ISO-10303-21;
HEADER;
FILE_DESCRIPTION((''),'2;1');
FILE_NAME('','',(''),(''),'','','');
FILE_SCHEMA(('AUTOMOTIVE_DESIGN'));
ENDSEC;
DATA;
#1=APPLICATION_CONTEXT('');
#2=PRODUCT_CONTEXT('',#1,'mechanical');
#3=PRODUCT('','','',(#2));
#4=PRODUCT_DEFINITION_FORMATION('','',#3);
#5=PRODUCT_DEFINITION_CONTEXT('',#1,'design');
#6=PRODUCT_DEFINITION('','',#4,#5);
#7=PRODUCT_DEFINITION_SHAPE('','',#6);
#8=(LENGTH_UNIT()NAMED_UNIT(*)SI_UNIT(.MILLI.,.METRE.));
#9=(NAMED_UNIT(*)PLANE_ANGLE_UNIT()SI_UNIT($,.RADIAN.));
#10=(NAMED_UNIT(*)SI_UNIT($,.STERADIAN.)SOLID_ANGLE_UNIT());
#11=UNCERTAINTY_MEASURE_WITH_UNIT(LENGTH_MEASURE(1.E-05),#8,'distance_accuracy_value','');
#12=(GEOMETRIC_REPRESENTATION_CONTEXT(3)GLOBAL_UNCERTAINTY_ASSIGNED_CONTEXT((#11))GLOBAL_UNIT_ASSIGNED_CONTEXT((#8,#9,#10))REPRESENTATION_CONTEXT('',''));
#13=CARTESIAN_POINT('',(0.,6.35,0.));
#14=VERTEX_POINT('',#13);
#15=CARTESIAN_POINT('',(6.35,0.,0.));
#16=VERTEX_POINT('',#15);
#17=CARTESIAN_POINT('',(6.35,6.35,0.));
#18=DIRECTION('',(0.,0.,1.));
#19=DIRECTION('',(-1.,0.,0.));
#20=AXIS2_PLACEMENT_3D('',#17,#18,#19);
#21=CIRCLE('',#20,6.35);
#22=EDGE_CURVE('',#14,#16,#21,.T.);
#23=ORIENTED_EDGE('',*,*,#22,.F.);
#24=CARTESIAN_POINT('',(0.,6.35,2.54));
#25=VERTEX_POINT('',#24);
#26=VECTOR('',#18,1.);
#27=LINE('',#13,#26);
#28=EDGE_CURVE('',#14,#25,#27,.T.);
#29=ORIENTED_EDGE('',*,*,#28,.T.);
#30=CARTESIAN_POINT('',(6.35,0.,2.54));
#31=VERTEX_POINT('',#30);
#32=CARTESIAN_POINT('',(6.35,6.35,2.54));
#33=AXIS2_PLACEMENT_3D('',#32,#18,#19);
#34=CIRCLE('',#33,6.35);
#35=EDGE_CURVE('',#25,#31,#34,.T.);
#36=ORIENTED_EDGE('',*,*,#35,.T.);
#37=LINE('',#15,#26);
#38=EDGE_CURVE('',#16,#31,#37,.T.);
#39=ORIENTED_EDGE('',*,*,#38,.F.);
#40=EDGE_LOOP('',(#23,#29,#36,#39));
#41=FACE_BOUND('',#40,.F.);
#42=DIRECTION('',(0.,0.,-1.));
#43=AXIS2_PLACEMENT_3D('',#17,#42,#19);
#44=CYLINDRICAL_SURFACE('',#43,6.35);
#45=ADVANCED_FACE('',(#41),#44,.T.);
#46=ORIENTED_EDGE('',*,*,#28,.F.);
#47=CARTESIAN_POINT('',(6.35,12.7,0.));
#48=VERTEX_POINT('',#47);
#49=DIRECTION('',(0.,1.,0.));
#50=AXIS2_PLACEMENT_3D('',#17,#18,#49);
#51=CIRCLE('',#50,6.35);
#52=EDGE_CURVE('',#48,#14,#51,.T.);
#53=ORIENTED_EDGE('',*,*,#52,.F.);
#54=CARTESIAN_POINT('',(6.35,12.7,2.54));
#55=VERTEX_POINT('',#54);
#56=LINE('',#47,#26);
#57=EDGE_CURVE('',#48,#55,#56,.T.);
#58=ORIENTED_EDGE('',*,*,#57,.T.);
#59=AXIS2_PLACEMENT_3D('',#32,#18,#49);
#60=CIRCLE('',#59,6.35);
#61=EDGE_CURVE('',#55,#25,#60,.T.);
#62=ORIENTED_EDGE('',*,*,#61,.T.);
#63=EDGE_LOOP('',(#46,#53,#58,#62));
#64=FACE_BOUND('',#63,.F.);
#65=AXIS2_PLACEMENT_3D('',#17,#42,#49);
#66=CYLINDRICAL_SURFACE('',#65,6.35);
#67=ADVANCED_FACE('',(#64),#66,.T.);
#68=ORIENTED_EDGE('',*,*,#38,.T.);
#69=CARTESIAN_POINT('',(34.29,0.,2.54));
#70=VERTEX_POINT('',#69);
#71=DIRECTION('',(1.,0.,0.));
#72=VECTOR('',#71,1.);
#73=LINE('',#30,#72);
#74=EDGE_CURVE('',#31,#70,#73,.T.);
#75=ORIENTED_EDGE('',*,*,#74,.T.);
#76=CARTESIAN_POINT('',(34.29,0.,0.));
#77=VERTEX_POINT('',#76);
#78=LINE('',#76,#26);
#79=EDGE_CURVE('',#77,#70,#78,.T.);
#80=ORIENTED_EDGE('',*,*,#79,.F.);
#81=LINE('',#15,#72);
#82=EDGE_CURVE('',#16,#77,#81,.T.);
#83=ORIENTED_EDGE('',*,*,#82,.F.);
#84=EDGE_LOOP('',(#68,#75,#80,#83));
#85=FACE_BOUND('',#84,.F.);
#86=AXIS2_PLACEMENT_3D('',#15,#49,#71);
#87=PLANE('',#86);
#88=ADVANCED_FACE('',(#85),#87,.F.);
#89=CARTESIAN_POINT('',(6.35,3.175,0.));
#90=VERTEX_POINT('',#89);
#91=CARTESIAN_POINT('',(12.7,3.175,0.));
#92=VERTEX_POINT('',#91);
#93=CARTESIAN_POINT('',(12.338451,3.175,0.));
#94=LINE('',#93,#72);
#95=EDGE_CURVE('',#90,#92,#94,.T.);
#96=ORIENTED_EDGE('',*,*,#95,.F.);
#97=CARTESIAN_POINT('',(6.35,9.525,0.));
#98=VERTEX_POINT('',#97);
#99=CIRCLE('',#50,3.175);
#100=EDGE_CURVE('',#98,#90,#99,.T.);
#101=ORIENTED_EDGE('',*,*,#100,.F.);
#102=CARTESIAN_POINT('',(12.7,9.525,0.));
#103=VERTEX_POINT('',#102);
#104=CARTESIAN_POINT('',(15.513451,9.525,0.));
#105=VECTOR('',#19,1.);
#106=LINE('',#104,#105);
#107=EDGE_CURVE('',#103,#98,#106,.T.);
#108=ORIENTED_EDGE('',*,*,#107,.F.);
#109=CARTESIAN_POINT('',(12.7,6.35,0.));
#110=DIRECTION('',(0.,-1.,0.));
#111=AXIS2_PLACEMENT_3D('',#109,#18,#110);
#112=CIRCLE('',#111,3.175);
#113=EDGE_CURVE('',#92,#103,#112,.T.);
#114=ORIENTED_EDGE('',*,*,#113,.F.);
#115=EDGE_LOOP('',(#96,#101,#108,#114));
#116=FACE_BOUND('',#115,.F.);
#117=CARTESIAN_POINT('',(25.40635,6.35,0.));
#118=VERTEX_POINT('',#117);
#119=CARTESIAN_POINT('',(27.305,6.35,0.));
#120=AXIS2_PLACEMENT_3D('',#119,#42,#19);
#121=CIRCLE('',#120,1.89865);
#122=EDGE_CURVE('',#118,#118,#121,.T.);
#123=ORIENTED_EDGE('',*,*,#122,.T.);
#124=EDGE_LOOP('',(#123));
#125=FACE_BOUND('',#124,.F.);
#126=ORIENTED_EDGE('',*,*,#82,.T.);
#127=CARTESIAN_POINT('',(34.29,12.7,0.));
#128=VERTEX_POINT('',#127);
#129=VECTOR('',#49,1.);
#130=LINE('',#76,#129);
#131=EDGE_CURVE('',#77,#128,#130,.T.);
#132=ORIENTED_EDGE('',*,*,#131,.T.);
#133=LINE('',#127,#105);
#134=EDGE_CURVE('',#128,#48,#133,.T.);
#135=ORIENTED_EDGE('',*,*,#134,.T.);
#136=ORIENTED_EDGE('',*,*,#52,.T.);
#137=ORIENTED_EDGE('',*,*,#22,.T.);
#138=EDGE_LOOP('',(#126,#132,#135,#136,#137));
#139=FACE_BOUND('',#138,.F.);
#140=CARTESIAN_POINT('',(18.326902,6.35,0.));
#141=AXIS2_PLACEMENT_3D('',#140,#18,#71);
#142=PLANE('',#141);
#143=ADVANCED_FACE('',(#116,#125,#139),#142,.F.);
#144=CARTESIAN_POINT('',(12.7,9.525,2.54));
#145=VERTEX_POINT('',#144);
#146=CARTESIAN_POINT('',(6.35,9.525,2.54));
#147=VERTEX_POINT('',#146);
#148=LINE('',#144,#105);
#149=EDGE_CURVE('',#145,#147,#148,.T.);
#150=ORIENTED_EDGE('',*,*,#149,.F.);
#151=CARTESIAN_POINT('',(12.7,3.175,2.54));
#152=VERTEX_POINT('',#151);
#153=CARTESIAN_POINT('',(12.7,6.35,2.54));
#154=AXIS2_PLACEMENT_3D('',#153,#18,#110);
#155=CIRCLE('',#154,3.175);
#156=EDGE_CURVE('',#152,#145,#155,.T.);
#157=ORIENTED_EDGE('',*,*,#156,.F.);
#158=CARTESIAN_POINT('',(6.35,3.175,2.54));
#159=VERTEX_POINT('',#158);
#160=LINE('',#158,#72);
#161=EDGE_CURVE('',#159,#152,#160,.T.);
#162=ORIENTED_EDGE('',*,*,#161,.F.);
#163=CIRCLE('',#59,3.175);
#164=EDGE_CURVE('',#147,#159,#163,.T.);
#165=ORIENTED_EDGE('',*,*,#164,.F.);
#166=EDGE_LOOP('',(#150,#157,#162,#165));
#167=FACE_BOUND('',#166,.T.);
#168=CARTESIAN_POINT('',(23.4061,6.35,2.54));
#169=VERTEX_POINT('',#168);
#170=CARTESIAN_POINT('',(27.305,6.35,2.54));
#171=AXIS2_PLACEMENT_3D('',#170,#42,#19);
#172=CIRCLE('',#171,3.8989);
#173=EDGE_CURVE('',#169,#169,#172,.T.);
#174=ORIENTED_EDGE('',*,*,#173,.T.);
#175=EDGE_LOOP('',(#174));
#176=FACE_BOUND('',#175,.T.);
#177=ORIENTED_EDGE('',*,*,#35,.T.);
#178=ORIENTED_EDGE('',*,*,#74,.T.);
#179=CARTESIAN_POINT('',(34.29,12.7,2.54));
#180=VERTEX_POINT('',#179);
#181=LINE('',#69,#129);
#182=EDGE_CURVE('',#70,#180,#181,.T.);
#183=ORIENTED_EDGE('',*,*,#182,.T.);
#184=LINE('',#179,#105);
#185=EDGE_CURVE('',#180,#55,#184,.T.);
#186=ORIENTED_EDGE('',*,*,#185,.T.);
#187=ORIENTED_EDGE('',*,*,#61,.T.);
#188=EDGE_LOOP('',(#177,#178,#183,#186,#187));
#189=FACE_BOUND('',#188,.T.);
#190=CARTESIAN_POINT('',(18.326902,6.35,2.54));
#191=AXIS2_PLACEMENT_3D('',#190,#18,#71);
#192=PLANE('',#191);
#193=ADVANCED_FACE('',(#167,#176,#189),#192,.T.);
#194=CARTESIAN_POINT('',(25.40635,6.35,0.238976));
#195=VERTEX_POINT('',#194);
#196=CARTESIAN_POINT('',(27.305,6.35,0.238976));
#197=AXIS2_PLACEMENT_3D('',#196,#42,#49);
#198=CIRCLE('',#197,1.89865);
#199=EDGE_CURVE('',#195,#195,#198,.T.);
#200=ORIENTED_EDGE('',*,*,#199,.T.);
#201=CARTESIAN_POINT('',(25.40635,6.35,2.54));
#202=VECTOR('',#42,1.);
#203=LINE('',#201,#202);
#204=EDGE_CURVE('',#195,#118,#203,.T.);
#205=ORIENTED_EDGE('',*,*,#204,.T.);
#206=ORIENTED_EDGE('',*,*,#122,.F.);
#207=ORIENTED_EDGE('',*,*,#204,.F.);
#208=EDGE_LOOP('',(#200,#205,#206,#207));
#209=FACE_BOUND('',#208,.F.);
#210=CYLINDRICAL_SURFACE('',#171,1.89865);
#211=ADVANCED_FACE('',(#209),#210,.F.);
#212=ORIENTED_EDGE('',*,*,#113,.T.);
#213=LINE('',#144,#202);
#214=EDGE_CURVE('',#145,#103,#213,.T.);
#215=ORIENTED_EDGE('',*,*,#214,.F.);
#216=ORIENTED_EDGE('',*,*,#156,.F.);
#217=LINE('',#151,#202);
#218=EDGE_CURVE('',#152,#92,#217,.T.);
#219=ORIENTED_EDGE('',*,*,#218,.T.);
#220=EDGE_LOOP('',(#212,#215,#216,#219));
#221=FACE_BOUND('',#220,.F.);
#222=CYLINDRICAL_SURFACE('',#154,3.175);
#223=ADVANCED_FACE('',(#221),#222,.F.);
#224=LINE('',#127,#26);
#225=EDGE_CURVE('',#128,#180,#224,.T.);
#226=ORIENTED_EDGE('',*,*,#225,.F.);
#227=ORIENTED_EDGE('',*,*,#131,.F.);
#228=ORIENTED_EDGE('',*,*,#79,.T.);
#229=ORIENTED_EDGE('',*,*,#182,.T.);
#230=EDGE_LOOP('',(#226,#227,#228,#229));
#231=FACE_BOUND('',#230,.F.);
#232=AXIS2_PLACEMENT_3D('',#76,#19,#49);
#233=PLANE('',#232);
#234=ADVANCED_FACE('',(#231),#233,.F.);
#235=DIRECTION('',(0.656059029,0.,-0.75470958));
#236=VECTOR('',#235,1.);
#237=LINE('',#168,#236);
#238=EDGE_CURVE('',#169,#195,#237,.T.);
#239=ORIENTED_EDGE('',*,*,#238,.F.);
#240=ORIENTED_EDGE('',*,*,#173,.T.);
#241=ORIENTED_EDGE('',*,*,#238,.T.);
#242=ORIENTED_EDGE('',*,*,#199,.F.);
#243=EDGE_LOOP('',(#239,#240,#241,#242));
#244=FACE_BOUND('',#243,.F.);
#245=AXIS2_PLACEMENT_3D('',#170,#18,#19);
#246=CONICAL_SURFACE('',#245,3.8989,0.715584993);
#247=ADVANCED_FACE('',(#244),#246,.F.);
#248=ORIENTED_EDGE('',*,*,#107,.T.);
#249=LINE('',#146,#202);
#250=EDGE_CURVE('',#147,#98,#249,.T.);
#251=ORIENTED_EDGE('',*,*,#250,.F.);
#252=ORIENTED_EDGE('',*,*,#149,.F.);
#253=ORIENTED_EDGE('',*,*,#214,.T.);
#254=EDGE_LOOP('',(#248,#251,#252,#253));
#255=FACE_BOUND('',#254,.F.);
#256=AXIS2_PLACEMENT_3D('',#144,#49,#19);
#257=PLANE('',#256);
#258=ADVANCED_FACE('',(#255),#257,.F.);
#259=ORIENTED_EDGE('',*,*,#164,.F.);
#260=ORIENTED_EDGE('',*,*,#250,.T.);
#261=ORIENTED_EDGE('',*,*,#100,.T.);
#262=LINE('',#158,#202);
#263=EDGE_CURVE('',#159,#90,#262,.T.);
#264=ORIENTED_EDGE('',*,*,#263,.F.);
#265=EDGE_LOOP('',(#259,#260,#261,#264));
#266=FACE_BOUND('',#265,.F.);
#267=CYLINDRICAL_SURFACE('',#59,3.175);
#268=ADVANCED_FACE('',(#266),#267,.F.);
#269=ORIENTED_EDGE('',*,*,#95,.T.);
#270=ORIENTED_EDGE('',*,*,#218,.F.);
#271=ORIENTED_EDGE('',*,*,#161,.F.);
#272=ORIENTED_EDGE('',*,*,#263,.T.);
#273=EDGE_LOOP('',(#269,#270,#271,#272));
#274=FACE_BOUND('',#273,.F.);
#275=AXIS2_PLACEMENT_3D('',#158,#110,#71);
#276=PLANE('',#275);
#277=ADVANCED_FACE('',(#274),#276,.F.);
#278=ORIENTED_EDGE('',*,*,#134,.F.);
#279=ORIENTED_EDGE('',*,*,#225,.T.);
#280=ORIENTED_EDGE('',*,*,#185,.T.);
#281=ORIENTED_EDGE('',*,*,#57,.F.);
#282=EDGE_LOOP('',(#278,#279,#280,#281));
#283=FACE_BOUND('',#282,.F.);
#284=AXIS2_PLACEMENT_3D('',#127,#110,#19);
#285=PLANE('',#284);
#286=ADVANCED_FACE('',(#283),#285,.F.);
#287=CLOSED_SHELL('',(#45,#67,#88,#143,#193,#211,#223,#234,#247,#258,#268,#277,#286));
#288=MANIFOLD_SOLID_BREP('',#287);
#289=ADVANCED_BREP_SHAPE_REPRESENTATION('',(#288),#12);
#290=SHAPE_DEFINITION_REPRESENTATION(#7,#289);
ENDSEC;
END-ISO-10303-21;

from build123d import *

# Parameters (mm, degrees)
F1_DEPTH       = 2.54
F3_DEPTH       = 2.541
F5_D           = 3.7973
F5_CSINK_D     = 7.7978
F5_CSINK_ANGLE = 82


with BuildPart() as f1:
    # F0 (on Top) → F1 (new body)
    with BuildSketch(Plane.XY):
        with BuildLine():
            ThreePointArc((0, 6.35), (1.8598719395, 1.8598719395), (6.35, 0))
            Line((6.35, 0), (34.29, 0))
            Line((34.29, 0), (34.29, 12.7))
            Line((34.29, 12.7), (6.35, 12.7))
            ThreePointArc((6.35, 12.7), (1.8598719395, 10.8401280605), (0, 6.35))
        make_face()
    extrude(amount=F1_DEPTH)

    # F2 (on face) → F3 (cut, through all)
    with BuildSketch(Plane.XY.offset(2.54)):
        with BuildLine():
            Line((12.7, 9.525), (6.35, 9.525))
            ThreePointArc((6.35, 9.525), (3.175, 6.35), (6.35, 3.175))
            Line((6.35, 3.175), (12.7, 3.175))
            ThreePointArc((12.7, 3.175), (15.875, 6.35), (12.7, 9.525))
        make_face()
    extrude(amount=-F3_DEPTH, mode=Mode.SUBTRACT)

    # F5 (through all)
    with Locations(Plane.XY.offset(2.54)):
        with Locations((27.305, 6.35)):
            CounterSinkHole(F5_D / 2, F5_CSINK_D / 2, counter_sink_angle=F5_CSINK_ANGLE)


solid = f1.part
